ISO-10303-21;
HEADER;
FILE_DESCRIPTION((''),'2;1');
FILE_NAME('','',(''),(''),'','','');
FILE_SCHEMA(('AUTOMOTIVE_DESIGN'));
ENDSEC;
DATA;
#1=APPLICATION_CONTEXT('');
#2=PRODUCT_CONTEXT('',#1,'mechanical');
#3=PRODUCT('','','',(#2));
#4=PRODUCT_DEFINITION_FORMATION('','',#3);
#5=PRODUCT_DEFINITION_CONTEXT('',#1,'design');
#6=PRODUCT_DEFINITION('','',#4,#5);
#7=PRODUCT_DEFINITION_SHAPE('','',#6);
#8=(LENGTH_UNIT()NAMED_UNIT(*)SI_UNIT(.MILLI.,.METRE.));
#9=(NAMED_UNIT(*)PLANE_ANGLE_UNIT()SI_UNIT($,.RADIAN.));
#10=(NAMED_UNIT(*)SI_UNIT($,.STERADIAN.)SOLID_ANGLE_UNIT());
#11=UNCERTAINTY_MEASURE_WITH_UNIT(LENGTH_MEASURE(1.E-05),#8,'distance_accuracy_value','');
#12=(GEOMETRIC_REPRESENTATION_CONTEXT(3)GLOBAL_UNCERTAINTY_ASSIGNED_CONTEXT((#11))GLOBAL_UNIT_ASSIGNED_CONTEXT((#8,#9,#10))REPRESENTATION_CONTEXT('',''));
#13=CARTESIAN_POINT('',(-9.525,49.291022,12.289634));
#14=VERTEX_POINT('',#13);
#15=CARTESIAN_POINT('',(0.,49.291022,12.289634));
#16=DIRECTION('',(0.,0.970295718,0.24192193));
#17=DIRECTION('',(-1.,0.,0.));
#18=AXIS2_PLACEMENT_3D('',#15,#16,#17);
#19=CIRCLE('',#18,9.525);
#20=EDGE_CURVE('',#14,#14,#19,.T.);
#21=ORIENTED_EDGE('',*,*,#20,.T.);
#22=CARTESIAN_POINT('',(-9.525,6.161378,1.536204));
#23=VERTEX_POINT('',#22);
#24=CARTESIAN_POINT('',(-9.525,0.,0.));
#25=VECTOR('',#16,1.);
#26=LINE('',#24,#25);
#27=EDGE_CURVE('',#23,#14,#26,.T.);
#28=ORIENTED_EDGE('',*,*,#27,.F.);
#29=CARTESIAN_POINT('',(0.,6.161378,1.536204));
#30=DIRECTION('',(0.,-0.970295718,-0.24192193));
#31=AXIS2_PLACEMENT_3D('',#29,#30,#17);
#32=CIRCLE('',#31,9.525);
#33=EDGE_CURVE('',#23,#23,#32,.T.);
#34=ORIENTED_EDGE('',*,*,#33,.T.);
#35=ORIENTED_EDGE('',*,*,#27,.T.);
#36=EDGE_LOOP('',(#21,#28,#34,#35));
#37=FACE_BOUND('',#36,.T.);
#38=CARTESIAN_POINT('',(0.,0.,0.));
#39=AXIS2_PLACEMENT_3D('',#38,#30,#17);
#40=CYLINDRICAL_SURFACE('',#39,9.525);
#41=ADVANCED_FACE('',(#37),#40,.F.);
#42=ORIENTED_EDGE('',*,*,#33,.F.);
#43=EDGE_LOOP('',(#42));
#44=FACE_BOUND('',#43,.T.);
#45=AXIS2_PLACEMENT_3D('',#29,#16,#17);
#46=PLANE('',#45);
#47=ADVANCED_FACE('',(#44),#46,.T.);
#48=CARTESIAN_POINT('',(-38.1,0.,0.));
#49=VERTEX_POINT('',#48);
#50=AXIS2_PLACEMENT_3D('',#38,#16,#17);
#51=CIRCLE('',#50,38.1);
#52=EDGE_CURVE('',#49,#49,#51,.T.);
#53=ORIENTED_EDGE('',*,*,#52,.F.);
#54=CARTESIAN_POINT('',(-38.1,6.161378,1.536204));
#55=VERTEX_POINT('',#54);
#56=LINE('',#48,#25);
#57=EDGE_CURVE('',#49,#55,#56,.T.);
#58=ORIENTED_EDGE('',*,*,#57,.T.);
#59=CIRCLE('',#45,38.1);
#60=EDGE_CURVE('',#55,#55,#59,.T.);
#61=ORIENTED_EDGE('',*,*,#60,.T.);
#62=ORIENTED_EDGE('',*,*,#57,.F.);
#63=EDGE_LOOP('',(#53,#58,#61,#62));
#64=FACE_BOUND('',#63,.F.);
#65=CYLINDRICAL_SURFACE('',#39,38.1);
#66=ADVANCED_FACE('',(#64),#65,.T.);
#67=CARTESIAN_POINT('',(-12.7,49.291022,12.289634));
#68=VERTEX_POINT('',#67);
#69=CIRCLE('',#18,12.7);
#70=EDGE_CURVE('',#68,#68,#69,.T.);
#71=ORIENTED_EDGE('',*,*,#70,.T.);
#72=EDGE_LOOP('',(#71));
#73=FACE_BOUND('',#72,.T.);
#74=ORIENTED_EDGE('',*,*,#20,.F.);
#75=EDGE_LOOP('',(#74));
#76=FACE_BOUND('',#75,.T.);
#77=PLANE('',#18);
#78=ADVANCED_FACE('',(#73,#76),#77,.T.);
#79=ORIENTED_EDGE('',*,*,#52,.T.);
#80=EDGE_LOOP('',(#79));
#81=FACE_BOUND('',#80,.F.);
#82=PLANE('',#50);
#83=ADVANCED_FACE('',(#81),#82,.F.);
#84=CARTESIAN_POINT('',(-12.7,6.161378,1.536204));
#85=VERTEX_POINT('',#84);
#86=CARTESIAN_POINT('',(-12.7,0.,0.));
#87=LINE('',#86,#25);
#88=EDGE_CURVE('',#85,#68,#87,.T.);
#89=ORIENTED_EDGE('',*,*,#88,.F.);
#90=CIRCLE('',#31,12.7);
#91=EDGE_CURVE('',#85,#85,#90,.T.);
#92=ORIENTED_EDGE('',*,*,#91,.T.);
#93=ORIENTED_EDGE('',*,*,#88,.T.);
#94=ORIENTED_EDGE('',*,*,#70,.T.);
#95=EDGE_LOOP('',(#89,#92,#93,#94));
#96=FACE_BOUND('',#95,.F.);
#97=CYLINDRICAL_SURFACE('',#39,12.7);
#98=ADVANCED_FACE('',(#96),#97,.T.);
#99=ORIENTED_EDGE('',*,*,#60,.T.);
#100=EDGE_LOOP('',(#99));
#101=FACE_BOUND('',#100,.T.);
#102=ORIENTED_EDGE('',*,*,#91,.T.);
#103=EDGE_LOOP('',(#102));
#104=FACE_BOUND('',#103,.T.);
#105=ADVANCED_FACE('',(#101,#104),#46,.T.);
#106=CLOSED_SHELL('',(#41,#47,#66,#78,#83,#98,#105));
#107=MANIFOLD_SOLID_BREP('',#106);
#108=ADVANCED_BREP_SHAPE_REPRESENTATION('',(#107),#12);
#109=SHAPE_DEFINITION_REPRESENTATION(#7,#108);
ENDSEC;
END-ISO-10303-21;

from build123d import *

# Parameters (mm, degrees)
F2_R     = 38.1
F3_DEPTH = 6.35
F6_R     = 12.7
F6_R_2   = 9.525
F7_DEPTH = 50.8
F9_DEPTH = 25.4


with BuildPart() as f3:
    # F2 (on face) → F3 (new body)
    with BuildSketch(Plane(origin=(0, 0, 0), x_dir=(-1, 0, 0), z_dir=(0, 0.970296, 0.241922))):
        Circle(F2_R)
    extrude(amount=F3_DEPTH)

    # F6 (on face) → F7 (join)
    with BuildSketch(Plane(origin=(0, 0, 0), x_dir=(-1, 0, 0), z_dir=(0, 0.970296, 0.241922))):
        Circle(F6_R)
        Circle(F6_R_2, mode=Mode.SUBTRACT)
    extrude(amount=F7_DEPTH)

    # F8 (on Right) → F9 (cut)
    with BuildSketch(Plane.YZ):
        Polygon((3.551053, -14.242495), (-5.652468, 22.670809), (-19.892405, 18.754688), (-9.609196, -17.931353), align=None)
    extrude(amount=-F9_DEPTH, mode=Mode.SUBTRACT)


solid = f3.part
